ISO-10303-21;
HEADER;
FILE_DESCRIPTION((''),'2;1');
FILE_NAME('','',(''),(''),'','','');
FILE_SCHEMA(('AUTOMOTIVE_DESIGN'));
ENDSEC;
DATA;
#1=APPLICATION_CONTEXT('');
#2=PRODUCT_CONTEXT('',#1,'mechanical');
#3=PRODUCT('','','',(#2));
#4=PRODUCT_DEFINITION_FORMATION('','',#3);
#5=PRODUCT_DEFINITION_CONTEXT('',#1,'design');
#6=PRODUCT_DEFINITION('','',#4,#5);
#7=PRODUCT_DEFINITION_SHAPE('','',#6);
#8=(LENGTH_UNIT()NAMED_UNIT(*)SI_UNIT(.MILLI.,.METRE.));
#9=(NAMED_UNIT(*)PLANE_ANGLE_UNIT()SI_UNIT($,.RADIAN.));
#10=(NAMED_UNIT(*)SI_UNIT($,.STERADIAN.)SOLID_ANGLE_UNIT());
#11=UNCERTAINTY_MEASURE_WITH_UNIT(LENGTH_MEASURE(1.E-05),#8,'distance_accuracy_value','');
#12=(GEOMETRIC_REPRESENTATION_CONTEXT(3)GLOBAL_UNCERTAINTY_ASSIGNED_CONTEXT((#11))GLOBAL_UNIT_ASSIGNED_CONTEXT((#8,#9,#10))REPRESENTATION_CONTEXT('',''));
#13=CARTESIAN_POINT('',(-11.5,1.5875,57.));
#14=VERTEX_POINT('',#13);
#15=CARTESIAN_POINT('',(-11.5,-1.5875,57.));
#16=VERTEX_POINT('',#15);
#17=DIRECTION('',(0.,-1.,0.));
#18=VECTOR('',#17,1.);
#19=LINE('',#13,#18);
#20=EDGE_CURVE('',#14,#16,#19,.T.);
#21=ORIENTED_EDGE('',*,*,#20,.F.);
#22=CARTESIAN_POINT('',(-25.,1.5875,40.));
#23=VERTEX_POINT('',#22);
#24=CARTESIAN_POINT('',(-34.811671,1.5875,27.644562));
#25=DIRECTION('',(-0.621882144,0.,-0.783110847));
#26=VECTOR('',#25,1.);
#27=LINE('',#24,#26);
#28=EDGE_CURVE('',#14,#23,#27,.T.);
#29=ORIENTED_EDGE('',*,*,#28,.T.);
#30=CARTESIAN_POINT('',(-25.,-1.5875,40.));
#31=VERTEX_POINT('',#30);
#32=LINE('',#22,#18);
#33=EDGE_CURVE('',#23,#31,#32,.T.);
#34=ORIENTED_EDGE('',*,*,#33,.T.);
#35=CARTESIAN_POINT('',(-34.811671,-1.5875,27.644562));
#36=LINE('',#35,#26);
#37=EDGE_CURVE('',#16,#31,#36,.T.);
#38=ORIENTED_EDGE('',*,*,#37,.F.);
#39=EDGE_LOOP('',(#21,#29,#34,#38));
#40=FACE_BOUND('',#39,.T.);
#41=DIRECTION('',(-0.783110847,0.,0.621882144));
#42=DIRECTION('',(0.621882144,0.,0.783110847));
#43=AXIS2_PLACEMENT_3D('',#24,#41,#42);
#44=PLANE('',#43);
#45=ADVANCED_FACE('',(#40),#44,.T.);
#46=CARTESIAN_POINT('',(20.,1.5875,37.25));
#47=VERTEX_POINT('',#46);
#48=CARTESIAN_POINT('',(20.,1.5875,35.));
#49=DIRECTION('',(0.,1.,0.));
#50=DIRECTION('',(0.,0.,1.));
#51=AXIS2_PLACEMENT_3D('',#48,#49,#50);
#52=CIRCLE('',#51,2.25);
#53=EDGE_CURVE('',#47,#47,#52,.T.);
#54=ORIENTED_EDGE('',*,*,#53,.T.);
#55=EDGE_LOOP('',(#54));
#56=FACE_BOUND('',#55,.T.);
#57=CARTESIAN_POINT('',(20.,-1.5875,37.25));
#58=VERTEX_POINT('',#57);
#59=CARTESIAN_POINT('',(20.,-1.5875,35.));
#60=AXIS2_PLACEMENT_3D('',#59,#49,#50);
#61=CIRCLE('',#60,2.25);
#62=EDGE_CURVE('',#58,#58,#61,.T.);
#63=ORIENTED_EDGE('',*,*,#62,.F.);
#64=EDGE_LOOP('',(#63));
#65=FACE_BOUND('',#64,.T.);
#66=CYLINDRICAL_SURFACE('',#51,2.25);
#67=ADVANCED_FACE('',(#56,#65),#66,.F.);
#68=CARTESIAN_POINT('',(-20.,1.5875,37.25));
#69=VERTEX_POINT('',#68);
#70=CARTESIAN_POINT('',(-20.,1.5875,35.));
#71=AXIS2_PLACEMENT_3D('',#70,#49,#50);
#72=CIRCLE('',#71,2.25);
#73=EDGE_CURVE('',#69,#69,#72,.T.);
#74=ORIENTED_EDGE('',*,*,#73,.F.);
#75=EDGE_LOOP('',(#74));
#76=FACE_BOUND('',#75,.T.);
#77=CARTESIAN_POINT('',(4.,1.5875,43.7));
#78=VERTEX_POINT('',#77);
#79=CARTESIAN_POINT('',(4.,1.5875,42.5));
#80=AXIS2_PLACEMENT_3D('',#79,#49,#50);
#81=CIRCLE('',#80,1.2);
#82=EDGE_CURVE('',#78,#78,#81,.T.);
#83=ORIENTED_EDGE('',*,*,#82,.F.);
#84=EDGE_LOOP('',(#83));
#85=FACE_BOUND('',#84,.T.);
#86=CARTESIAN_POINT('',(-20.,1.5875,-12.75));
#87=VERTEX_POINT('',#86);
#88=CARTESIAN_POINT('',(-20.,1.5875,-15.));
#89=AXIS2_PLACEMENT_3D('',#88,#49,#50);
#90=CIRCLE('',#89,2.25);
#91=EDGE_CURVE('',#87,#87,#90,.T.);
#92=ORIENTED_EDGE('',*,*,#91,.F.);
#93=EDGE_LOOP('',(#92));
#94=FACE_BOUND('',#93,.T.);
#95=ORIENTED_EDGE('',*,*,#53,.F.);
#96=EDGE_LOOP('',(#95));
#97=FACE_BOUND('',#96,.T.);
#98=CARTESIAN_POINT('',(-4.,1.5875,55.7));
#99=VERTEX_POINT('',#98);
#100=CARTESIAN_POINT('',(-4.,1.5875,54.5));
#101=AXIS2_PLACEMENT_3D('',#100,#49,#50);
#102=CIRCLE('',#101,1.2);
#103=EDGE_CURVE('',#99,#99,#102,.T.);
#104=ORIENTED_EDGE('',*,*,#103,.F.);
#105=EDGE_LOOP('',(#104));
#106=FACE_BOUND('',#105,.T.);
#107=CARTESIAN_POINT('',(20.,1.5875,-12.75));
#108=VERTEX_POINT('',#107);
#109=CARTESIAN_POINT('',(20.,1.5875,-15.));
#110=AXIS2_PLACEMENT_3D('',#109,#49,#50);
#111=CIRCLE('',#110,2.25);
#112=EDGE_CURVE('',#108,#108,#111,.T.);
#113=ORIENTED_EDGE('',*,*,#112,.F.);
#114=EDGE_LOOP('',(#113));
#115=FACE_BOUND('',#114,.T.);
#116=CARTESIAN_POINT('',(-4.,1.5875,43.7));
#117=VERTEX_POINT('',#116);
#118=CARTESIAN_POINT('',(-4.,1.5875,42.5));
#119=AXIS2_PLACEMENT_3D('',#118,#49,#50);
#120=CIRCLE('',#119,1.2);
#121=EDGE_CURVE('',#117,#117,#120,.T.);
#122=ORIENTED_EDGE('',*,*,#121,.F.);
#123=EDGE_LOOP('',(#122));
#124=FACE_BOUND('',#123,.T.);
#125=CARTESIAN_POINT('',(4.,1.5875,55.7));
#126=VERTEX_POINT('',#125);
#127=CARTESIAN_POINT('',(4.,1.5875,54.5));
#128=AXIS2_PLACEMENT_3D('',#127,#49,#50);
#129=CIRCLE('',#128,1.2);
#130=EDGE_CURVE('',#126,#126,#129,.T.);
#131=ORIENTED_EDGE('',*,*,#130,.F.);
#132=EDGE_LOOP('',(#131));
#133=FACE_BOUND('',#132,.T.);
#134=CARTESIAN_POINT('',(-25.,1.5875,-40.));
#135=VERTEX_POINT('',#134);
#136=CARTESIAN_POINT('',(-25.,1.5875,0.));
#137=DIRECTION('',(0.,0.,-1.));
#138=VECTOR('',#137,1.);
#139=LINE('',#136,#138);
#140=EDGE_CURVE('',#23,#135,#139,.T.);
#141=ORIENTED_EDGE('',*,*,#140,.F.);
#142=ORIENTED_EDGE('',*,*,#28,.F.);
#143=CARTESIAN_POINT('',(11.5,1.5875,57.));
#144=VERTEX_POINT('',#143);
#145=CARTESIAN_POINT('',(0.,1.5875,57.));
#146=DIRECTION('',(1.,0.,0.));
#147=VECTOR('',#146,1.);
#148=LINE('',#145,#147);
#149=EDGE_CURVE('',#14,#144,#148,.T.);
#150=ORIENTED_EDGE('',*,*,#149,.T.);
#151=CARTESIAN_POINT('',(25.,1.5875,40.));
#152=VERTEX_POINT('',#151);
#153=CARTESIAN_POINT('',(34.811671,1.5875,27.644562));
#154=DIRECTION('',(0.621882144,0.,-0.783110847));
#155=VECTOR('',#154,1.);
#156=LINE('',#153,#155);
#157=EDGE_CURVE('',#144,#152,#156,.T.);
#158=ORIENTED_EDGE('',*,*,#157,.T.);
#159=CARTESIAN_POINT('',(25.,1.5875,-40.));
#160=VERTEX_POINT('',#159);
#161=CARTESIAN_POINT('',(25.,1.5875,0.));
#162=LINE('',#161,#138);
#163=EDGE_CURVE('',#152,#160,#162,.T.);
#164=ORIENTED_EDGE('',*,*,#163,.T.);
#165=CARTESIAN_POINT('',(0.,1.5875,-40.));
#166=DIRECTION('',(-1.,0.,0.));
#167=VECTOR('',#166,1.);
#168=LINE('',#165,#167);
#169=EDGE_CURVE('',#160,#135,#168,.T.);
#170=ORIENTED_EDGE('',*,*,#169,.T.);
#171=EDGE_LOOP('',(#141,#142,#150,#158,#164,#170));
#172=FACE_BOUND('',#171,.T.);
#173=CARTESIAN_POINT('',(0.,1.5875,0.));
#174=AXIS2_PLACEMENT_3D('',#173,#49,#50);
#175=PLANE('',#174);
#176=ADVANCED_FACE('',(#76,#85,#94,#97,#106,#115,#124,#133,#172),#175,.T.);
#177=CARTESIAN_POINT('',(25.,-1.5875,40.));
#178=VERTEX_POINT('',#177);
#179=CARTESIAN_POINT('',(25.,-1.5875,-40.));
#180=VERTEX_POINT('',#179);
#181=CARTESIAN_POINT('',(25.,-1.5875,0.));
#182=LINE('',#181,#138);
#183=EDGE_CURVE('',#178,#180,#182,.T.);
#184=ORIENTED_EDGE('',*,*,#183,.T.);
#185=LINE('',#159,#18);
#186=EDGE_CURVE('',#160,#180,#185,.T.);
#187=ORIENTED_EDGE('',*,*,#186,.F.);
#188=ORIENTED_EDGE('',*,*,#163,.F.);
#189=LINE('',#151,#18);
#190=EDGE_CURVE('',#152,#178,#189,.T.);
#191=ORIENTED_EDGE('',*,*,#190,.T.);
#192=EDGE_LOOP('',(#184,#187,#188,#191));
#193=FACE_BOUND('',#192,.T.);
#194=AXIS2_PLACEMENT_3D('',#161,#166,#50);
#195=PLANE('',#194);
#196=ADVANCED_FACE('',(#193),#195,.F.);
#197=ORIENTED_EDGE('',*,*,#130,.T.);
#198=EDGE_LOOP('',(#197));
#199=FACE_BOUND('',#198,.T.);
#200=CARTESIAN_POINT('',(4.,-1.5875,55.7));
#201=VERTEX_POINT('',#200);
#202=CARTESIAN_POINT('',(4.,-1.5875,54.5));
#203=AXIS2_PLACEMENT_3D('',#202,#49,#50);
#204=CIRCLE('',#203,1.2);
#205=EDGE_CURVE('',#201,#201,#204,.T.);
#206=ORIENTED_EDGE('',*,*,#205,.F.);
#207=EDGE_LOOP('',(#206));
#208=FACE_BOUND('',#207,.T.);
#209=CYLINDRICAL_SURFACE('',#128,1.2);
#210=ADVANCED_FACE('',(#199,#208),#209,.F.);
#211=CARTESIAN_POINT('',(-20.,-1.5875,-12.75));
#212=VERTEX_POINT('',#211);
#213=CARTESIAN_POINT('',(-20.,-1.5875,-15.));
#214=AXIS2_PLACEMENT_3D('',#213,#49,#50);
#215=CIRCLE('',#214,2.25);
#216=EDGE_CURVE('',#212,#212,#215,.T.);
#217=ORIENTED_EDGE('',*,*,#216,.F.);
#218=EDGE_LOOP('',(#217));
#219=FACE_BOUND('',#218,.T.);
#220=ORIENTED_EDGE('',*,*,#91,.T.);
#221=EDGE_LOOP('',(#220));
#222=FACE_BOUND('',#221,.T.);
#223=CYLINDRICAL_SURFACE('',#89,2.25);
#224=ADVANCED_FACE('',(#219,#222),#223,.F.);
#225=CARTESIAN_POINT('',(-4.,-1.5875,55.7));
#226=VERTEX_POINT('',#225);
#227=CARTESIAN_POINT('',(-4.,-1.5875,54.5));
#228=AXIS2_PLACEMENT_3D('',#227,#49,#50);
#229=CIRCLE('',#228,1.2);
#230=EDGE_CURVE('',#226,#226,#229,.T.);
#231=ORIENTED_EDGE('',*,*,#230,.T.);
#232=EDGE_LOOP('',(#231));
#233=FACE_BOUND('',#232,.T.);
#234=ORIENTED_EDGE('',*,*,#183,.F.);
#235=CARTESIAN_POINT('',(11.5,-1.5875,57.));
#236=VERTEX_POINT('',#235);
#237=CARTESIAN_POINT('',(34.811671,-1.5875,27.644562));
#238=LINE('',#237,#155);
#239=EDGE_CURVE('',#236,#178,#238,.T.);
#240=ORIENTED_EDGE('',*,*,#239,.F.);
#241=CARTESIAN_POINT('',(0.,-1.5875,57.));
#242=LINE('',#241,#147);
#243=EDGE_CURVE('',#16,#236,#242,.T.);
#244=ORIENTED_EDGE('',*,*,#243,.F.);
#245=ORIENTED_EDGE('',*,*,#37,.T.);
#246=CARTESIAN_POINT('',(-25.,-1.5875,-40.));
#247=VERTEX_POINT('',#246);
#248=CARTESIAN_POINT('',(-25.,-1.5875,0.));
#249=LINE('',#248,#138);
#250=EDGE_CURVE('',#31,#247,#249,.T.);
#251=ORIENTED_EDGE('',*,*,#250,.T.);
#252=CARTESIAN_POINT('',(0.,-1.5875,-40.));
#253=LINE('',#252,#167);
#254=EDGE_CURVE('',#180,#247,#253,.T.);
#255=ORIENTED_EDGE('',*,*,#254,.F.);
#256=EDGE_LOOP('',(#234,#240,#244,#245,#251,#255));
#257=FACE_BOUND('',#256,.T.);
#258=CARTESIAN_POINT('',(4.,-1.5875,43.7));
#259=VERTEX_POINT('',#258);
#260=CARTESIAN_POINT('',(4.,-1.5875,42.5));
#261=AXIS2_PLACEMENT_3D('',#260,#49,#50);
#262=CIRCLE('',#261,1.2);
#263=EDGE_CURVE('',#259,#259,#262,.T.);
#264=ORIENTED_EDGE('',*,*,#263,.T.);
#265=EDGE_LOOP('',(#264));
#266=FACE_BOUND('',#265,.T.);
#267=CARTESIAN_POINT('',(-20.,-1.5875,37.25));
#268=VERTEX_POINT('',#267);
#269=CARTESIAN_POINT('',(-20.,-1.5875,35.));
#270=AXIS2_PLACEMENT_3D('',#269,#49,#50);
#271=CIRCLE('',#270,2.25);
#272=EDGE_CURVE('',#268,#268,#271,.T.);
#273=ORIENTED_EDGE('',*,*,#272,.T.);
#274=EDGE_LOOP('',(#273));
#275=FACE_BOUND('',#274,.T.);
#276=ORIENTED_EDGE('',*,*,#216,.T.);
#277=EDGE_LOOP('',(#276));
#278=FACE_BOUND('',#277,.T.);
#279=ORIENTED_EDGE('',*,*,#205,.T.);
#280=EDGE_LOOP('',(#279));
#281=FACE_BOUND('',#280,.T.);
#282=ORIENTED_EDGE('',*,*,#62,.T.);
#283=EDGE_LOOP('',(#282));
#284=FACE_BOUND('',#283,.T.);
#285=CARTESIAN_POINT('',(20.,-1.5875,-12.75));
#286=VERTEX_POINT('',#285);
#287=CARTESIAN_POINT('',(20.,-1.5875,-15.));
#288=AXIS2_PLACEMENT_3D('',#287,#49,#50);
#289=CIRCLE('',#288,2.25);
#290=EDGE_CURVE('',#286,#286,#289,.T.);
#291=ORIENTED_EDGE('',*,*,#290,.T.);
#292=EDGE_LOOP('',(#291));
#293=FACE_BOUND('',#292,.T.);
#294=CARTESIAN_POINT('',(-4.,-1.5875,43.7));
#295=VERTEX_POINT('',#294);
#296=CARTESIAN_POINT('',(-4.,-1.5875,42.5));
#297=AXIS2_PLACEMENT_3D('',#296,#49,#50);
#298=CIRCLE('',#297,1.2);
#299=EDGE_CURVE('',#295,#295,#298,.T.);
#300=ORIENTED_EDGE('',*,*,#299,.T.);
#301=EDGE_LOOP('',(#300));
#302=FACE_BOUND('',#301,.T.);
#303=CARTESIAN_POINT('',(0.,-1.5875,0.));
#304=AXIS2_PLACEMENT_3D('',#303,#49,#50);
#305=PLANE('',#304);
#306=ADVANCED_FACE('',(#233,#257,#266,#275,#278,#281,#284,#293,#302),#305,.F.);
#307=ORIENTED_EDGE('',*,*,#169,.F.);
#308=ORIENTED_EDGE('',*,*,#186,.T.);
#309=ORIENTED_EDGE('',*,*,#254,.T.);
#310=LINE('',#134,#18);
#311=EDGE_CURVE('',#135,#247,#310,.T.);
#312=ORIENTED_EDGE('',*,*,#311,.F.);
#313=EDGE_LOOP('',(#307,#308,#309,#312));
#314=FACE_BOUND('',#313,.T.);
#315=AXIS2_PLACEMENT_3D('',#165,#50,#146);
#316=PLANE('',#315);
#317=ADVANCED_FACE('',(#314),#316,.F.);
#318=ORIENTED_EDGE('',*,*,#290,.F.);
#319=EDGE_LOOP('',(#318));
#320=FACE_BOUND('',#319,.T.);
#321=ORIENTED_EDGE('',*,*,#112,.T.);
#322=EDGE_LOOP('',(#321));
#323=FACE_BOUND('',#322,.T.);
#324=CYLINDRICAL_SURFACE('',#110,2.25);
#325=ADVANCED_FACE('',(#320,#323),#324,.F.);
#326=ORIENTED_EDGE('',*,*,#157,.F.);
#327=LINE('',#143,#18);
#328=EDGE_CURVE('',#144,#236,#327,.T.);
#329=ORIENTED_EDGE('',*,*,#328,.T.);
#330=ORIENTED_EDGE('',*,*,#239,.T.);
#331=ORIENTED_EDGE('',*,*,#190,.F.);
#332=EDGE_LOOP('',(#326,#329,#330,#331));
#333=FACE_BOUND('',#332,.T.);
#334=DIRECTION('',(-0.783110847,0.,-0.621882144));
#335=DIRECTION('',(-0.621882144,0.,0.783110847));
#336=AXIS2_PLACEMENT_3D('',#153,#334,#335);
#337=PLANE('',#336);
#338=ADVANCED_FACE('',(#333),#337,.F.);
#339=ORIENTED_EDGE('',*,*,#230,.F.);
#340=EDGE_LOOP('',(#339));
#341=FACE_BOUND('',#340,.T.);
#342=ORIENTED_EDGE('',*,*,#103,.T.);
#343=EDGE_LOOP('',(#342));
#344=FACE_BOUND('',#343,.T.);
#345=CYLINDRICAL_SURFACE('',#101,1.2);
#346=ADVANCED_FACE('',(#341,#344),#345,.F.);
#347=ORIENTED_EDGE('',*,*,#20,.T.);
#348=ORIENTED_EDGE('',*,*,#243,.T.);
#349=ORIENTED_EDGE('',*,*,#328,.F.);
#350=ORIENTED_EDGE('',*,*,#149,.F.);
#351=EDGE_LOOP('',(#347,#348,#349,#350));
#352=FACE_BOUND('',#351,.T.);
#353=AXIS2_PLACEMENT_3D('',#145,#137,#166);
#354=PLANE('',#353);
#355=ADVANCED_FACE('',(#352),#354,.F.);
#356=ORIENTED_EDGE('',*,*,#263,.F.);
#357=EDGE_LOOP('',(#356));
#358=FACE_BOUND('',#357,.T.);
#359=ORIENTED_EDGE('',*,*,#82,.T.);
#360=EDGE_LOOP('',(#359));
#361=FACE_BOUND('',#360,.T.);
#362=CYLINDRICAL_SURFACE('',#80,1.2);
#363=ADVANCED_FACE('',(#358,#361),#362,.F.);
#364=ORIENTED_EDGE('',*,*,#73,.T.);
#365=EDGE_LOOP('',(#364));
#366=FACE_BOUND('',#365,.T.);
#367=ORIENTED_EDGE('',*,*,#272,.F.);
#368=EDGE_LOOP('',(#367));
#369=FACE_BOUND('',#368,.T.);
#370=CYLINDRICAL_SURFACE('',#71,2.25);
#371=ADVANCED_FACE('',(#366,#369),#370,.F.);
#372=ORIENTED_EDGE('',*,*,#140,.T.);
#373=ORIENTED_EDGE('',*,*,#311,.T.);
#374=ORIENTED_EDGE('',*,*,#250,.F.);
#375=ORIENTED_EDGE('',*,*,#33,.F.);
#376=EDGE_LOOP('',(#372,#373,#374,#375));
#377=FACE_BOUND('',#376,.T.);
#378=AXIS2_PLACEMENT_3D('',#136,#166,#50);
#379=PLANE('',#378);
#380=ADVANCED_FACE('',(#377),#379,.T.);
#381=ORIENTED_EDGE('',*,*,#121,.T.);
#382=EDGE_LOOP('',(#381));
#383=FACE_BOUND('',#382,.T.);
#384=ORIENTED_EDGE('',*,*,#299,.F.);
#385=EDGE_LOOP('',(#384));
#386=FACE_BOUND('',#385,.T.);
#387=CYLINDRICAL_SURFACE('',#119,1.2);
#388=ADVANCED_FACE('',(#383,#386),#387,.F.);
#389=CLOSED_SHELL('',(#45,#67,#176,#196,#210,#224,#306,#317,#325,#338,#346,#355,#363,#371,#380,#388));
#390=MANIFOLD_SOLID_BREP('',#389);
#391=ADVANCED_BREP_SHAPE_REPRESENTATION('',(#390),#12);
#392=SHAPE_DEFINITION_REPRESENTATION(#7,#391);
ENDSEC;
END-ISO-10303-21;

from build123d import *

# Parameters (mm, degrees)
SKETCH1_W            = 50
SKETCH1_H            = 80
SKETCH1_W_2          = 23
SKETCH1_H_2          = 17
BOSS_EXTRUDE1_DEPTH  = 1.5875
M2_CLEARANCE_HOLE1_D = 2.4
M4_CLEARANCE_HOLE1_D = 4.5


with BuildPart() as part:
    # Sketch1 → Boss-Extrude1 (new, symmetric)
    with BuildSketch(Plane(origin=(0, 0, 0), x_dir=(1, 0, 0), z_dir=(0, 1, 0))):
        Polygon((-25, -40), (-11.5, -57), (-11.5, -40), align=None)
        Polygon((11.5, -40), (11.5, -57), (25, -40), align=None)
        Rectangle(SKETCH1_W, SKETCH1_H)
        with Locations((0, -48.5)):
            Rectangle(SKETCH1_W_2, SKETCH1_H_2)
    extrude(amount=BOSS_EXTRUDE1_DEPTH, both=True)

    # M2 Clearance Hole1 (through all)
    with Locations(Plane(origin=(0, 1.5875, 0), x_dir=(1, 0, 0), z_dir=(0, 1, 0))):
        with Locations((-4, -54.5), (4, -54.5), (4, -42.5), (-4, -42.5)):
            Hole(M2_CLEARANCE_HOLE1_D / 2)

    # M4 Clearance Hole1 (through all)
    with Locations(Plane(origin=(0, 1.5875, 0), x_dir=(1, 0, 0), z_dir=(0, 1, 0))):
        with Locations((-20, 15), (20, 15), (20, -35), (-20, -35)):
            Hole(M4_CLEARANCE_HOLE1_D / 2)


solid = part.part
